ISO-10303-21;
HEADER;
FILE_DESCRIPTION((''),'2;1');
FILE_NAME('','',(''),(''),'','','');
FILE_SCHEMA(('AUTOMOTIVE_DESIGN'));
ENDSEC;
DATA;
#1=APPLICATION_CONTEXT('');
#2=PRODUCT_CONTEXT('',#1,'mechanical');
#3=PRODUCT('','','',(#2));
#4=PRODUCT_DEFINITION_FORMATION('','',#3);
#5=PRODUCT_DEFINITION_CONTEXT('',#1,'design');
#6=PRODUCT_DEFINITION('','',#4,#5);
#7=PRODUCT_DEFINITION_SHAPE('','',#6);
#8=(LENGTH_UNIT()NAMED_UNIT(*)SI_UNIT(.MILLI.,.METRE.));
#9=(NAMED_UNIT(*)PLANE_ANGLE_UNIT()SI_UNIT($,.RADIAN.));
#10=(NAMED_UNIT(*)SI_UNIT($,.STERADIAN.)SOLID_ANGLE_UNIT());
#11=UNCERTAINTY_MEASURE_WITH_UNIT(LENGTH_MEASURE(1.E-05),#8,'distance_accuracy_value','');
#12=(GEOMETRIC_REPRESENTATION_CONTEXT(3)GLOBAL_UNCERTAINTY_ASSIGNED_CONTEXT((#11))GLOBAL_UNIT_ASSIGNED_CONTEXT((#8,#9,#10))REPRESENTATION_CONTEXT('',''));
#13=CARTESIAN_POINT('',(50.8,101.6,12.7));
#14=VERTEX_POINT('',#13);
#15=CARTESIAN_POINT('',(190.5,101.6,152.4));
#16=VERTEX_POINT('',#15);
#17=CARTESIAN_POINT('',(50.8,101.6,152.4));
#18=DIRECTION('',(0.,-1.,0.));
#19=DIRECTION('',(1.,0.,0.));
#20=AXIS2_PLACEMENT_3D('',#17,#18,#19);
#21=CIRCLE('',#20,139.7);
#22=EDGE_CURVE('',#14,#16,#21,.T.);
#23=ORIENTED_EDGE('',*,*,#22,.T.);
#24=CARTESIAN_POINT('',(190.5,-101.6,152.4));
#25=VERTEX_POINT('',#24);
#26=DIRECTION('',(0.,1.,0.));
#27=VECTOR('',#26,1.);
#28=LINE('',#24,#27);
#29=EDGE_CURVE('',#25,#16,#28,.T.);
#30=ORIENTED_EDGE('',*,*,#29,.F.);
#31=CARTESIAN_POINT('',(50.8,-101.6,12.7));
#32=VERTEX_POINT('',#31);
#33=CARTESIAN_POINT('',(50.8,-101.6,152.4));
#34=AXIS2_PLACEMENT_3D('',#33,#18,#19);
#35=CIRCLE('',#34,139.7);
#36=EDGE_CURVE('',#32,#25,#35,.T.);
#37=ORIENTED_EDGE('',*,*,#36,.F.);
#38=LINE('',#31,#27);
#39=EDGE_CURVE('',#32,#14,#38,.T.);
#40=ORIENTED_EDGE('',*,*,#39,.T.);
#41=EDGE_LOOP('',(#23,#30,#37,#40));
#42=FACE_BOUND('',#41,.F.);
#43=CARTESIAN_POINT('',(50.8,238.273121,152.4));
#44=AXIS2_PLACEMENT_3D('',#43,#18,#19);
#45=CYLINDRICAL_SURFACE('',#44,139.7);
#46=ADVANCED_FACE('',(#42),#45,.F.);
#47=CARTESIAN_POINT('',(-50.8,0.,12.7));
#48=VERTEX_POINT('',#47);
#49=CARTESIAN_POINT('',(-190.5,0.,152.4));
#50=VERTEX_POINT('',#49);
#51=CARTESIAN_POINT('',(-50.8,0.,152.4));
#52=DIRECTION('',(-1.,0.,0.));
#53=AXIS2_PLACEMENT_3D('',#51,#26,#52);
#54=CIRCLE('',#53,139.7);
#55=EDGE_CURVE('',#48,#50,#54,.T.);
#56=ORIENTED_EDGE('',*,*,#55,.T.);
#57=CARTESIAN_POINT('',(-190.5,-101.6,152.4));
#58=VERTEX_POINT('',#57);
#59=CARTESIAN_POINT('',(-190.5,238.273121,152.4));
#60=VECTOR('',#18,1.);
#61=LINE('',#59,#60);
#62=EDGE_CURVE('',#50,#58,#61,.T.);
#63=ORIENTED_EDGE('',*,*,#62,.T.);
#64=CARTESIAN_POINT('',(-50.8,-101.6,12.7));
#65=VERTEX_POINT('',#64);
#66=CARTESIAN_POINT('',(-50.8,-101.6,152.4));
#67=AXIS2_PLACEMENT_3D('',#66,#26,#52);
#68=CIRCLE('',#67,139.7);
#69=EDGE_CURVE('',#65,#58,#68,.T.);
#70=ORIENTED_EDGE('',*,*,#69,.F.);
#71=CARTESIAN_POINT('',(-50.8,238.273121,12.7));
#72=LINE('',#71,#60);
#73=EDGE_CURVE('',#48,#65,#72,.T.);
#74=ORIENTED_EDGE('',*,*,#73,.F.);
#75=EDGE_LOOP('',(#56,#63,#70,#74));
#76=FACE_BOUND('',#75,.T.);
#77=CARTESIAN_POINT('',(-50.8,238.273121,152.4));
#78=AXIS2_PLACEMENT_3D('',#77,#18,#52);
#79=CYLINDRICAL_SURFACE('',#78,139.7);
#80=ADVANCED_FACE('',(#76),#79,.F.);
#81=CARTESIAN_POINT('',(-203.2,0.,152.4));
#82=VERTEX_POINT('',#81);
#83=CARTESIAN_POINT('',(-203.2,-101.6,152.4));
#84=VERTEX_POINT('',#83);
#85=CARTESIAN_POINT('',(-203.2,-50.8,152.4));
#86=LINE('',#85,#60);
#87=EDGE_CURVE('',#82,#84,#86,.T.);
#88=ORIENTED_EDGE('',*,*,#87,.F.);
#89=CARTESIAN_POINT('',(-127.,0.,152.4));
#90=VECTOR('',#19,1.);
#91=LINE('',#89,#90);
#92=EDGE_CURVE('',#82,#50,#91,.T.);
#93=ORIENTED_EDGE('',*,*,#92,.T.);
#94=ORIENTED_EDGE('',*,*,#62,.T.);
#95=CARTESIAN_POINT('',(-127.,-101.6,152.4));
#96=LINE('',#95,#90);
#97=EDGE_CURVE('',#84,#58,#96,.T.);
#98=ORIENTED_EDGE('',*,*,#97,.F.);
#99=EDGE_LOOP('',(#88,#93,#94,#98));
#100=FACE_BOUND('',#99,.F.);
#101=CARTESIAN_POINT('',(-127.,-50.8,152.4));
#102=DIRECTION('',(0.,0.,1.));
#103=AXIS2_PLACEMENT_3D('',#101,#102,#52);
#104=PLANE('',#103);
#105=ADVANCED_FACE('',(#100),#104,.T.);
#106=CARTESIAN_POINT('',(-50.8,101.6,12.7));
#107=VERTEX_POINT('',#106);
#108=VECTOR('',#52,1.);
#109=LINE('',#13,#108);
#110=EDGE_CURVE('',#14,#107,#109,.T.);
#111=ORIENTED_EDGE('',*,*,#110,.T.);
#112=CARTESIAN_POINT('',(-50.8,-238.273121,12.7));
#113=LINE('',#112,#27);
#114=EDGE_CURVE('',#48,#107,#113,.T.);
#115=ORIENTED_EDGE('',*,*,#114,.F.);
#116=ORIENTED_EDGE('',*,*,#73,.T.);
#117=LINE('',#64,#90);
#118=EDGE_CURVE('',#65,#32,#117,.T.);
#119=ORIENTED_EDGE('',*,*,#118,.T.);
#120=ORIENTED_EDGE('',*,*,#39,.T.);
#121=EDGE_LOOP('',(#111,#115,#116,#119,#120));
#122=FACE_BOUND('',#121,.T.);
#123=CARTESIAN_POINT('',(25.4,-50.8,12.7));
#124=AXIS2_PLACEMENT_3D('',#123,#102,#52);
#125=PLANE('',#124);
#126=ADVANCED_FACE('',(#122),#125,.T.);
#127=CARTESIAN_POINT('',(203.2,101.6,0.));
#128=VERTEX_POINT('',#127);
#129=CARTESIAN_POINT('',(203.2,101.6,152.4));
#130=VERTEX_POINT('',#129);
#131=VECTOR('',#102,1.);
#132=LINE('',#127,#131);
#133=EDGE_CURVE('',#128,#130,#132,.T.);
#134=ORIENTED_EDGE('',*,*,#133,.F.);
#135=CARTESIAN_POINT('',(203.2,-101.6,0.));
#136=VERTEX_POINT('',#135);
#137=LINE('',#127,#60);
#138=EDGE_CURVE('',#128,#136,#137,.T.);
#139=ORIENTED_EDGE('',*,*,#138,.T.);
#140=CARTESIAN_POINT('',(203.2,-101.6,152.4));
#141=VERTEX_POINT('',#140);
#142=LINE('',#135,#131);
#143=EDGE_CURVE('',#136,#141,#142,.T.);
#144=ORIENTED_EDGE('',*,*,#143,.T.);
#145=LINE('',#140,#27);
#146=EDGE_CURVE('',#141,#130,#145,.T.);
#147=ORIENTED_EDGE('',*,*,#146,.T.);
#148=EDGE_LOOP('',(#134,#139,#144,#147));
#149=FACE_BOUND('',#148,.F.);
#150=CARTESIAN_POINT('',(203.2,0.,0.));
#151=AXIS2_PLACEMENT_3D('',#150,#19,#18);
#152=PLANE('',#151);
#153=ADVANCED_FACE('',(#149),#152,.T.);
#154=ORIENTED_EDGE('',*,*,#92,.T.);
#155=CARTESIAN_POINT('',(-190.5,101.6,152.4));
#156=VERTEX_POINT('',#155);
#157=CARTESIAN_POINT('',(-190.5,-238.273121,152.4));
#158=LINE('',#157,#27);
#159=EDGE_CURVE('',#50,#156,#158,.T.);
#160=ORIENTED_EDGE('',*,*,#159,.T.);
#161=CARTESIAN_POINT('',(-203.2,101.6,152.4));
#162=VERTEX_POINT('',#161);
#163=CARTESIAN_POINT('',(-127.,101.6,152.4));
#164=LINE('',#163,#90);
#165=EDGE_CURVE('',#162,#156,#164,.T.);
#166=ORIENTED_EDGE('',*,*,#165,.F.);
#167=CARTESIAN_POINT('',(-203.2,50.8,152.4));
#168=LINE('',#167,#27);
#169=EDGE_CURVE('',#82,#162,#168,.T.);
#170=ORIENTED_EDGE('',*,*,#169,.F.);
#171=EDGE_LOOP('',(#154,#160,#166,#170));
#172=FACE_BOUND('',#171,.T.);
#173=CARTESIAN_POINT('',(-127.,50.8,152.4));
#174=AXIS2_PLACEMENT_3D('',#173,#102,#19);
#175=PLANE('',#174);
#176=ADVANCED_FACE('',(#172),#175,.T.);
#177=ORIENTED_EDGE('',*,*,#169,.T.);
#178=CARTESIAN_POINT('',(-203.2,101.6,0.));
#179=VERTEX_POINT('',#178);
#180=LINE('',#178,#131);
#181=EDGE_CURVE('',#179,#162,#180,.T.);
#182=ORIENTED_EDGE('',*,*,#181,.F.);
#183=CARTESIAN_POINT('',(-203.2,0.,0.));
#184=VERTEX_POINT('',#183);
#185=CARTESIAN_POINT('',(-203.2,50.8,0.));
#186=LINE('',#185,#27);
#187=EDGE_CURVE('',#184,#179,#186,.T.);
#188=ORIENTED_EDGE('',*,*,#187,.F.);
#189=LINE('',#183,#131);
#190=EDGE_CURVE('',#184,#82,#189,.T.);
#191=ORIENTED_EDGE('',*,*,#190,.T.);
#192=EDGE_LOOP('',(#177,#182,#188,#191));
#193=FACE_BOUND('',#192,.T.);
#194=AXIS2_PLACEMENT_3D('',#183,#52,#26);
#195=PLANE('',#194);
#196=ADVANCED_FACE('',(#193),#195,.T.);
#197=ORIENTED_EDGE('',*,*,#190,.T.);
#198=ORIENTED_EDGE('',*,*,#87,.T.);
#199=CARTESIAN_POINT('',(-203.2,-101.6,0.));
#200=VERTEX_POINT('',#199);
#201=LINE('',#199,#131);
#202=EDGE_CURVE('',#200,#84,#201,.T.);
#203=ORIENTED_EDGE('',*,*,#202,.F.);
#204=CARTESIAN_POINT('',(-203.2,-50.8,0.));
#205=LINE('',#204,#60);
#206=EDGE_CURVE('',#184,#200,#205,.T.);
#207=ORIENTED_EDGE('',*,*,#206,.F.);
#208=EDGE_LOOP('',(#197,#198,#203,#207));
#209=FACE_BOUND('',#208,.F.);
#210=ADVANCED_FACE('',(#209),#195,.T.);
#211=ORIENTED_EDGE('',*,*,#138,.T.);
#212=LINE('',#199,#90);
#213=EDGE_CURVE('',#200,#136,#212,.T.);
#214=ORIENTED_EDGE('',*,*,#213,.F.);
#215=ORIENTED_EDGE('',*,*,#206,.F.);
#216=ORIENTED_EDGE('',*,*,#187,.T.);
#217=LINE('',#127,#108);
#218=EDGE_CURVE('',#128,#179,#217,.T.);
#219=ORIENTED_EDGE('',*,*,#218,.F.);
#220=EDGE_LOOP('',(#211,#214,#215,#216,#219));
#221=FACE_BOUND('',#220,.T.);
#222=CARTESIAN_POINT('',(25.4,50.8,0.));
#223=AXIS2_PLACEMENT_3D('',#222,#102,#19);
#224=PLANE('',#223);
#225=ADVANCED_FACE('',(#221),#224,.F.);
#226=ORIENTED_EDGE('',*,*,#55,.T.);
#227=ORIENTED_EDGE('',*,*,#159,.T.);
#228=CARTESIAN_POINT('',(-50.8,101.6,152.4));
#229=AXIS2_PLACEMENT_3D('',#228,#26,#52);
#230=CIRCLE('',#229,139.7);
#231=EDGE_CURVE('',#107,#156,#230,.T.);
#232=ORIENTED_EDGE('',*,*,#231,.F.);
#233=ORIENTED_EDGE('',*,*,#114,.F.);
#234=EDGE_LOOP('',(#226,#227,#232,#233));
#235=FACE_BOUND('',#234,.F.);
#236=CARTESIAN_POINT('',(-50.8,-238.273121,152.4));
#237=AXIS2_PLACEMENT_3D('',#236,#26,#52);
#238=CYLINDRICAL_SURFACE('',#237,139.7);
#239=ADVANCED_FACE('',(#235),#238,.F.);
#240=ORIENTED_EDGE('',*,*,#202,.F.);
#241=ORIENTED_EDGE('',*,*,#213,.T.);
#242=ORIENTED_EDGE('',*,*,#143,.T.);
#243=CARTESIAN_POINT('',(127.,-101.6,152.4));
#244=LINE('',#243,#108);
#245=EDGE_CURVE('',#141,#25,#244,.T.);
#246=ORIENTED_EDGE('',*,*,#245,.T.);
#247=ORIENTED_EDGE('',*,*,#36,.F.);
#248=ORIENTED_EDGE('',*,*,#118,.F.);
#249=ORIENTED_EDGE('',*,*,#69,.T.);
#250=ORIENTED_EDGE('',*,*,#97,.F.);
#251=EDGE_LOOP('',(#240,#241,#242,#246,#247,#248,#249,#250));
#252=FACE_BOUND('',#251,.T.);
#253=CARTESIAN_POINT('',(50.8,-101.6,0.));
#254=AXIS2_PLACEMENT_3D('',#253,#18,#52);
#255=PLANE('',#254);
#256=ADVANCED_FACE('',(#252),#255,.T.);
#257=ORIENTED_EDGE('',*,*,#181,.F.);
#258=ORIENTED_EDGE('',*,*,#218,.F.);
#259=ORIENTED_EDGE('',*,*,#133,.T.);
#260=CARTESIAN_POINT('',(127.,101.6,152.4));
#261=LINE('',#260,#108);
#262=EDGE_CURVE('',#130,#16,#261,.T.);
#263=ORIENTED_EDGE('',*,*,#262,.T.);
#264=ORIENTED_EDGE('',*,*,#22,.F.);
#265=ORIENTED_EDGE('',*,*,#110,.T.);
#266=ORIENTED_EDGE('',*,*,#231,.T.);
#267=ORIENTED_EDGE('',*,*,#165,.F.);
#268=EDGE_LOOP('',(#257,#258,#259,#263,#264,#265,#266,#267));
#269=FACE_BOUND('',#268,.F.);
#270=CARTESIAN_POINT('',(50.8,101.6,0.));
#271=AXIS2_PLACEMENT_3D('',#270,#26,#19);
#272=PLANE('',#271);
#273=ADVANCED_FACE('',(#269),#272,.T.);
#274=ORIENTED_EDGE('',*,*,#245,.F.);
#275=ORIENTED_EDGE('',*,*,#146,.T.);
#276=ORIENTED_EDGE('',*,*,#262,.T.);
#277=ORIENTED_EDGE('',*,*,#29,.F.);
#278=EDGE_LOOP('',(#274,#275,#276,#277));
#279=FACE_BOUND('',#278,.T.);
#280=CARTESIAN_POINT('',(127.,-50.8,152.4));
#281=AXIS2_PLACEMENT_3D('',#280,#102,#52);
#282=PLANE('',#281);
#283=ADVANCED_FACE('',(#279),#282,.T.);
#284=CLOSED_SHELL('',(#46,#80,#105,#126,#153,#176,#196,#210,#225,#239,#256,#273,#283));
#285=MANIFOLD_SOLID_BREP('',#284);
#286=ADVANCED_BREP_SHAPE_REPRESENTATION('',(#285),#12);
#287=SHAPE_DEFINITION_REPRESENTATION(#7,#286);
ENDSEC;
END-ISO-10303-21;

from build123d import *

# Parameters (mm, degrees)
F0_W     = 152.4
F0_H     = 101.6
F1_DEPTH = 152.4
F3_D     = 279.4
F0_W_2   = 50.8
F4_DEPTH = 12.7


with BuildPart() as f1:
    # F0 (on Top) → F1 (new body)
    with BuildSketch(Plane.XY):
        with Locations((-127, 50.8)):
            Rectangle(F0_W, F0_H)
    extrude(amount=F1_DEPTH)

    # F3 (through all)
    with Locations(Plane.XZ):
        with Locations((-50.8, 152.4)):
            Hole(F3_D / 2)

    # F0 (on Top) → F4 (join)
    with BuildSketch(Plane.XY):
        with Locations((-25.4, 50.8)):
            Rectangle(F0_W_2, F0_H)
    extrude(amount=F4_DEPTH)

    # F5: F1 across plane


with BuildPart() as f1_1:
    add(f1.part)
    add(f1.part.mirror(Plane.XZ))

    # F6: F1 across plane


with BuildPart() as f1_2:
    add(f1_1.part)
    add(f1_1.part.mirror(Plane.YZ))


solid = f1_2.part
